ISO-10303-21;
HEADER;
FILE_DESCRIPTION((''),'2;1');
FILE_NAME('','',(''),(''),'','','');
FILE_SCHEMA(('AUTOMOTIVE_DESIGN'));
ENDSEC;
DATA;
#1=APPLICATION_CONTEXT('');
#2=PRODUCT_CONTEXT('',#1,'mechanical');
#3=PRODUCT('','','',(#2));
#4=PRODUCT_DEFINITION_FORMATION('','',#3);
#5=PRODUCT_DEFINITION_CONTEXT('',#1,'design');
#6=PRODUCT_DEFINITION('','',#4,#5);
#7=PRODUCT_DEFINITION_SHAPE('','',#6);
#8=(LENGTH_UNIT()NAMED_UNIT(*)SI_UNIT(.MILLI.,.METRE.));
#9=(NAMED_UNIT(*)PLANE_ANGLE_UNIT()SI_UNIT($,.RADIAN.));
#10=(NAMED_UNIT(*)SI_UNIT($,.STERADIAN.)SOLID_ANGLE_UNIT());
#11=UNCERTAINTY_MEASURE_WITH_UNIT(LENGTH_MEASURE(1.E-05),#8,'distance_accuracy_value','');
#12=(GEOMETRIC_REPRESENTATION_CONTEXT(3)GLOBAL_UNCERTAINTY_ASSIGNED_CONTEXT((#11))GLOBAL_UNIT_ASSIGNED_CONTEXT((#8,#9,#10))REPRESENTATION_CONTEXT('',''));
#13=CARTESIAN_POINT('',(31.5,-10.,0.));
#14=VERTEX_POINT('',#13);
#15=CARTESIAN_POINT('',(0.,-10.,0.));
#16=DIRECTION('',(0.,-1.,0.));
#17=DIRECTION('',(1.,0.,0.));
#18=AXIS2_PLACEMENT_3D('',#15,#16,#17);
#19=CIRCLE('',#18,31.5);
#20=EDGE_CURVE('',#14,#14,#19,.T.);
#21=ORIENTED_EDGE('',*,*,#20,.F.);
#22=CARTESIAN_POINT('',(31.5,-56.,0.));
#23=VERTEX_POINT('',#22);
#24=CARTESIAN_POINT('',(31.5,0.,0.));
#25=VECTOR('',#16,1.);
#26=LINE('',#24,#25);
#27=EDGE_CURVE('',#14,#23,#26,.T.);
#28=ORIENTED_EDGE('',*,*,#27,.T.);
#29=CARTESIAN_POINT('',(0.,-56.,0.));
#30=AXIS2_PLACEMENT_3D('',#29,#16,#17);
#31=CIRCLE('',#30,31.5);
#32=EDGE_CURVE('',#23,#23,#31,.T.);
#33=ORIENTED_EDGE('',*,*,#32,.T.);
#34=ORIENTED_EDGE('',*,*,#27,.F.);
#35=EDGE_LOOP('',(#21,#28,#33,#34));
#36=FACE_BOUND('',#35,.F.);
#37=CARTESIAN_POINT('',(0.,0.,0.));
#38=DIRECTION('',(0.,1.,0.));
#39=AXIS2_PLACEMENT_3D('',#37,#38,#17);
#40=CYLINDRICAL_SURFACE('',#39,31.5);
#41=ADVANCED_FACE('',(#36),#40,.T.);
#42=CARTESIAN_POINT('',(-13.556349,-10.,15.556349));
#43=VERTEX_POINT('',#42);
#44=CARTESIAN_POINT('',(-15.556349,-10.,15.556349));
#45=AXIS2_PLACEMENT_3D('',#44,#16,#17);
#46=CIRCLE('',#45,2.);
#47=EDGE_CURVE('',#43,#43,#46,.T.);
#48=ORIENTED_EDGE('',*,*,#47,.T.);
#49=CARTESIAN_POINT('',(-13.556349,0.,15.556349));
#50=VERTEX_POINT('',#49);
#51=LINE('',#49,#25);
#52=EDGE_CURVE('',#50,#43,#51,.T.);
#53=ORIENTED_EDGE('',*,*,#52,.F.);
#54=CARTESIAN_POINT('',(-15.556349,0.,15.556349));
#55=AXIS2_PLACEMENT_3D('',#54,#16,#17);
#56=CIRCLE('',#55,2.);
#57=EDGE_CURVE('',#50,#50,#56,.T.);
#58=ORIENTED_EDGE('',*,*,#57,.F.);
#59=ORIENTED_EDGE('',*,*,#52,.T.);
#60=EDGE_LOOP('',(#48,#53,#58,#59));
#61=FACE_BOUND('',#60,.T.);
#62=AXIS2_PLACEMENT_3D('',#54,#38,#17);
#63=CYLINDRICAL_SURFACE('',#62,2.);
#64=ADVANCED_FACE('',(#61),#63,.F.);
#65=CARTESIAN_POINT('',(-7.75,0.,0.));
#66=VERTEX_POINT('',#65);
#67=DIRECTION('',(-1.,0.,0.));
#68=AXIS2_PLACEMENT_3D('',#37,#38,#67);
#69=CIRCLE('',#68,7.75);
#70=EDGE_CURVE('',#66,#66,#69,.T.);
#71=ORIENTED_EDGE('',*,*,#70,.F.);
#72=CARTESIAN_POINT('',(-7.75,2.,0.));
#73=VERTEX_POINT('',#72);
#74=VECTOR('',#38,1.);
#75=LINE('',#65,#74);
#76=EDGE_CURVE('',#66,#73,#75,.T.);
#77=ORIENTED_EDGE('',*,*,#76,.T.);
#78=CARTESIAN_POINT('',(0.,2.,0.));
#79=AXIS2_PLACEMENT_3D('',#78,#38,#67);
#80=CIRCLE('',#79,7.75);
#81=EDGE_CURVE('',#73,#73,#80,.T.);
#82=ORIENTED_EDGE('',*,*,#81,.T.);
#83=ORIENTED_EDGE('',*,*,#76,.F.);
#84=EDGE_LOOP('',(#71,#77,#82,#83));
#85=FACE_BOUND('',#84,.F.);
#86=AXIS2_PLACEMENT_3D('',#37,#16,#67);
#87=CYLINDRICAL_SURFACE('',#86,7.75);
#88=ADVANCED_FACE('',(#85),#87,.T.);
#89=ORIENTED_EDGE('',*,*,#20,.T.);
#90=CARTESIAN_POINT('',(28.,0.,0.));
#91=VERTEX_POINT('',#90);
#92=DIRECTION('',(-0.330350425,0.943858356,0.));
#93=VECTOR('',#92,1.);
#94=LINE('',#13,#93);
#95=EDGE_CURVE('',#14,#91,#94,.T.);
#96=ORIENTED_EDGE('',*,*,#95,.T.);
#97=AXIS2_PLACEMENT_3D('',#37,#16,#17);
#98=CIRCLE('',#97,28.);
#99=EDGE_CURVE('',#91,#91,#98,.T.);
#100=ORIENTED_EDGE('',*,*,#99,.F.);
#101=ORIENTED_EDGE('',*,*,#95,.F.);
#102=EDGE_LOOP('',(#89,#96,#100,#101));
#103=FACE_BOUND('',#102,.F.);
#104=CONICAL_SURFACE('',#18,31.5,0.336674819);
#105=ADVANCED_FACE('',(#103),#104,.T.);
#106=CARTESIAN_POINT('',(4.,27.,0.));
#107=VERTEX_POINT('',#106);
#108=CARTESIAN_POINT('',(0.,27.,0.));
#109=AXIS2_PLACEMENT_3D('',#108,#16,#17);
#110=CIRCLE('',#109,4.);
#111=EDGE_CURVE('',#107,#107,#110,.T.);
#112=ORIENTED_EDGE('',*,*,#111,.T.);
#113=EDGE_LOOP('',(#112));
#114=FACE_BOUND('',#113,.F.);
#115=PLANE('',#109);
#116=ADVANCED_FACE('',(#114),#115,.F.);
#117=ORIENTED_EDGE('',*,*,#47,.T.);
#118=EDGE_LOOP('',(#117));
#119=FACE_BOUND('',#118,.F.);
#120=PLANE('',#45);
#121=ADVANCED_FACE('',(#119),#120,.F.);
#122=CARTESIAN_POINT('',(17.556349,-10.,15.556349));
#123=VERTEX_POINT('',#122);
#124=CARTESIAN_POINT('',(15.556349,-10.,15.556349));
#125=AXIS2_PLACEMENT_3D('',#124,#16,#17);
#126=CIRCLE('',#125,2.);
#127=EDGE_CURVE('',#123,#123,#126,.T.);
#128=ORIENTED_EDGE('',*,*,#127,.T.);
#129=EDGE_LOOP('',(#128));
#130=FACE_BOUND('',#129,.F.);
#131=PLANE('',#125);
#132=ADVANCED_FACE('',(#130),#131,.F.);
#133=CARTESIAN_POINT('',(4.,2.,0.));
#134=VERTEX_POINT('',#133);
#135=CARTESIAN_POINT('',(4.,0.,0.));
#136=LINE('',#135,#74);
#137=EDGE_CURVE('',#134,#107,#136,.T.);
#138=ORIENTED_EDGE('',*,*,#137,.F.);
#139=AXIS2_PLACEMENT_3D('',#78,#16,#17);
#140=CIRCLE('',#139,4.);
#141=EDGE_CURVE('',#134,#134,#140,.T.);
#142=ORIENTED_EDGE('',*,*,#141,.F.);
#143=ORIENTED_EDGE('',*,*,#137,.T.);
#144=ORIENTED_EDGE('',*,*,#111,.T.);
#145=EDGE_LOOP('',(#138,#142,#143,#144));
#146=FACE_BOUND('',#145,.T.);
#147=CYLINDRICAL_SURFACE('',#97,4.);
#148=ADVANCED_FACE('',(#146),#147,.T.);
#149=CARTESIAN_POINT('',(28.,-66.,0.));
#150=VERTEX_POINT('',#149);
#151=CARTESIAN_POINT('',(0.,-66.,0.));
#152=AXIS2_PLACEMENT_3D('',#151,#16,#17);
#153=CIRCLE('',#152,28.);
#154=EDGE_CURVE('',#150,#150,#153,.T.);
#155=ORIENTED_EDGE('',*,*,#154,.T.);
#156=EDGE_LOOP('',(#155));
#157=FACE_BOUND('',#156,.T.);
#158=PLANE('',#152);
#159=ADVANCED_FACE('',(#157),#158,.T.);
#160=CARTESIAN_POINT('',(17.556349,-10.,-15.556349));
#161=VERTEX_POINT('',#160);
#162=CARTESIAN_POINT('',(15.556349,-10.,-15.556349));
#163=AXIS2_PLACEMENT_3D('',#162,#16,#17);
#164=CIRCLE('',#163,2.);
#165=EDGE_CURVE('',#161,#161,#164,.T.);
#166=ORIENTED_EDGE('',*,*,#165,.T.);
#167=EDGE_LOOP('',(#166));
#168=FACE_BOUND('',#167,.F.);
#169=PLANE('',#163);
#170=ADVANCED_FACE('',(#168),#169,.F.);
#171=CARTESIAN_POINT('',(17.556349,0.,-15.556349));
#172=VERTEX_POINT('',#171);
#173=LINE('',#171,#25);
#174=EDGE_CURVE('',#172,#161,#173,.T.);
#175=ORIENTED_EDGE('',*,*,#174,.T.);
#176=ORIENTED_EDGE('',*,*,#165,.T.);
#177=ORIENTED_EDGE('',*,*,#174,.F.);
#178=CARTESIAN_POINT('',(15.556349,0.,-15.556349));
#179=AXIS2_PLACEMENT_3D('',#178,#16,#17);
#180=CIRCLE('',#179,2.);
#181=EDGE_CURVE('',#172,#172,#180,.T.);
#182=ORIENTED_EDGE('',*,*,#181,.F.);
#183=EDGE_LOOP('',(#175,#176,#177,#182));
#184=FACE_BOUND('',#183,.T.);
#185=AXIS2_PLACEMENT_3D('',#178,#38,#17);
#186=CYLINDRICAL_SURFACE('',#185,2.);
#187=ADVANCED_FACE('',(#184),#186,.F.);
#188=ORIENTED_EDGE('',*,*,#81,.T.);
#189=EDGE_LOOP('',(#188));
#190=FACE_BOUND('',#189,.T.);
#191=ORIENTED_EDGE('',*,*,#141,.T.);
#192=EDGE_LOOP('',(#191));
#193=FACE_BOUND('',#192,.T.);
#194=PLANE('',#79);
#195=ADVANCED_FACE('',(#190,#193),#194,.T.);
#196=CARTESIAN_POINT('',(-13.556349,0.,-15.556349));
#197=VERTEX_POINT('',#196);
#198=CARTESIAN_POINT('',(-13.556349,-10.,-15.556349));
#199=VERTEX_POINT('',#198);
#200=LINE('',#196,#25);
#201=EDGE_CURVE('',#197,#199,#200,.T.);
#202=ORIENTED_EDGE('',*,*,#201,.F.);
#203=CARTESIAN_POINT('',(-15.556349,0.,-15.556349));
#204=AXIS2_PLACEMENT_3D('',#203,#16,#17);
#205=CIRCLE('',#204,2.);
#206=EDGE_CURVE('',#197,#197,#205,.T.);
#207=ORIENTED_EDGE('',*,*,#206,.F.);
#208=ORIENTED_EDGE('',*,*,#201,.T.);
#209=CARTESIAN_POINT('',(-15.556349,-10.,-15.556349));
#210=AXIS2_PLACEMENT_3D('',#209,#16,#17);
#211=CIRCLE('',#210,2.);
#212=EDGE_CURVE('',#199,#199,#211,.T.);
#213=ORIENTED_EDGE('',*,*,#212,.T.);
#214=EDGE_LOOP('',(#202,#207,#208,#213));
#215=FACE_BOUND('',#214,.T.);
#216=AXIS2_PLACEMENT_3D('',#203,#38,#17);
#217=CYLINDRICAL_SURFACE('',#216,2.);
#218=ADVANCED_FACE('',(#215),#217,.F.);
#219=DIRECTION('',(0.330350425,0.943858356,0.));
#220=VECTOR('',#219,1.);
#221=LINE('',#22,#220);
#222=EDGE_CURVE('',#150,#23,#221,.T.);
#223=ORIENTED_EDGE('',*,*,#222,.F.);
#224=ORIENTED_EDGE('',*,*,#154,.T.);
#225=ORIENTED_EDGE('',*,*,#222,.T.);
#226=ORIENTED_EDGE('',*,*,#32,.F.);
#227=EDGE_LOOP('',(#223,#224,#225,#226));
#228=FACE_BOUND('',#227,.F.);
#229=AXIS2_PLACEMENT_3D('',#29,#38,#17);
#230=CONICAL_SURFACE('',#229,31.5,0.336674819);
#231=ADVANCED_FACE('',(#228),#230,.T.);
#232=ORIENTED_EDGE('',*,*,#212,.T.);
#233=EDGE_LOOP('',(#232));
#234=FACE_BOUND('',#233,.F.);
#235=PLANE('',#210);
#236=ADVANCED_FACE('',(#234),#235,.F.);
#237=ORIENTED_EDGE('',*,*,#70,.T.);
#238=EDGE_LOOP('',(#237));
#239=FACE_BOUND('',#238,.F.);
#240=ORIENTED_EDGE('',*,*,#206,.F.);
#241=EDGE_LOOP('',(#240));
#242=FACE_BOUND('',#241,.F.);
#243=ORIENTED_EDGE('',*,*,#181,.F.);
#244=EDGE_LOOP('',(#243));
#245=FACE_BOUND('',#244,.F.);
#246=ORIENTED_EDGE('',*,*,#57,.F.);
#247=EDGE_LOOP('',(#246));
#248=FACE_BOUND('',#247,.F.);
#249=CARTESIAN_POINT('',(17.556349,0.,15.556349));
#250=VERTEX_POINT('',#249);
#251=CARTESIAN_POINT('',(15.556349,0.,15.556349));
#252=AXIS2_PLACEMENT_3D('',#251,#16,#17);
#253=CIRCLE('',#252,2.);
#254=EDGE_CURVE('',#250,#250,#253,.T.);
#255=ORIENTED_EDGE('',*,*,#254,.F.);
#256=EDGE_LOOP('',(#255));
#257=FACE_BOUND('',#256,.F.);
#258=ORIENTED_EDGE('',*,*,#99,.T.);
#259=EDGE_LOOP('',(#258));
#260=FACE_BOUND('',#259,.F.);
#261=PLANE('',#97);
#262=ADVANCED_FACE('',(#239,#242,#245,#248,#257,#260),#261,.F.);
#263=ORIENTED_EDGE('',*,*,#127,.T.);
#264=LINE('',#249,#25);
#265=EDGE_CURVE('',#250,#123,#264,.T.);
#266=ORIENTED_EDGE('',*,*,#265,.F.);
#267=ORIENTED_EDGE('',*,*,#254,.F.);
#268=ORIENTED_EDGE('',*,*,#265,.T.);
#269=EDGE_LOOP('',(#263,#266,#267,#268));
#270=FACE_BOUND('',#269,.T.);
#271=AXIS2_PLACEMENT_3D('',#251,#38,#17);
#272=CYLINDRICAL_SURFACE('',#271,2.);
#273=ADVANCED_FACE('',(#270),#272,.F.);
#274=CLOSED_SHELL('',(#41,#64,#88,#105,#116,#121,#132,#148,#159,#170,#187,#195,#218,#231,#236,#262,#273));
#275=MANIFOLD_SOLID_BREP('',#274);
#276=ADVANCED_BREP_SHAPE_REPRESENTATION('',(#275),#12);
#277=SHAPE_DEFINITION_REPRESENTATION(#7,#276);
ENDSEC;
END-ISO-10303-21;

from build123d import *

# Parameters (mm, degrees)
F0_R     = 31.5
F0_R_2   = 2
F0_R_3   = 4
F1_DEPTH = 66
F2_DEPTH = 27
F3_DEPTH = 10
F4_SIZE2 = 3.5
F4_SIZE  = 10
F5_SIZE2 = 10
F5_SIZE  = 3.5
F6_R     = 7.75
F6_R_2   = 4
F7_DEPTH = 2


with BuildPart() as f1:
    # F0 (on Front) → F1 (new body)
    with BuildSketch(Plane.XZ):
        Circle(F0_R)
        with Locations((-15.5563491861, -15.5563491861)):
            Circle(F0_R_2, mode=Mode.SUBTRACT)
        with Locations((15.5563491861, -15.5563491861)):
            Circle(F0_R_2, mode=Mode.SUBTRACT)
        with Locations((-15.5563491861, 15.5563491861)):
            Circle(F0_R_2, mode=Mode.SUBTRACT)
        Circle(F0_R_3, mode=Mode.SUBTRACT)
        with Locations((15.5563491861, 15.5563491861)):
            Circle(F0_R_2, mode=Mode.SUBTRACT)
        Circle(F0_R_3)
        with Locations((15.5563491861, 15.5563491861)):
            Circle(F0_R_2)
        with Locations((-15.5563491861, 15.5563491861)):
            Circle(F0_R_2)
        with Locations((-15.5563491861, -15.5563491861)):
            Circle(F0_R_2)
        with Locations((15.5563491861, -15.5563491861)):
            Circle(F0_R_2)
    extrude(amount=F1_DEPTH)

    # F0 (on Front) → F2 (join)
    with BuildSketch(Plane.XZ):
        Circle(F0_R_3)
    extrude(amount=-F2_DEPTH)

    # F0 (on Front) → F3 (cut)
    with BuildSketch(Plane.XZ):
        with Locations((15.5563491861, 15.5563491861)):
            Circle(F0_R_2)
        with Locations((-15.5563491861, 15.5563491861)):
            Circle(F0_R_2)
        with Locations((15.5563491861, -15.5563491861)):
            Circle(F0_R_2)
        with Locations((-15.5563491861, -15.5563491861)):
            Circle(F0_R_2)
    extrude(amount=F3_DEPTH, mode=Mode.SUBTRACT)

    # F4
    f4_edges = [f1.edges().sort_by_distance(p)[0] for p in [
        (-31.5, 0, 0),
    ]]
    f4_side = f1.faces().sort_by_distance((-31.5, -33, 0))[0]
    chamfer(f4_edges, length=F4_SIZE, length2=F4_SIZE2, reference=f4_side)

    # F5
    f5_edges = [f1.edges().sort_by_distance(p)[0] for p in [
        (-31.5, -66, 0),
    ]]
    f5_side = f1.faces().sort_by_distance((0, -66, 0))[0]
    chamfer(f5_edges, length=F5_SIZE, length2=F5_SIZE2, reference=f5_side)

    # F6 (on face) → F7 (join)
    with BuildSketch(Plane(origin=(0, 0, 0), x_dir=(-1, 0, 0), z_dir=(0, 1, 0))):
        Circle(F6_R)
        Circle(F6_R_2, mode=Mode.SUBTRACT)
    extrude(amount=F7_DEPTH)


solid = f1.part
